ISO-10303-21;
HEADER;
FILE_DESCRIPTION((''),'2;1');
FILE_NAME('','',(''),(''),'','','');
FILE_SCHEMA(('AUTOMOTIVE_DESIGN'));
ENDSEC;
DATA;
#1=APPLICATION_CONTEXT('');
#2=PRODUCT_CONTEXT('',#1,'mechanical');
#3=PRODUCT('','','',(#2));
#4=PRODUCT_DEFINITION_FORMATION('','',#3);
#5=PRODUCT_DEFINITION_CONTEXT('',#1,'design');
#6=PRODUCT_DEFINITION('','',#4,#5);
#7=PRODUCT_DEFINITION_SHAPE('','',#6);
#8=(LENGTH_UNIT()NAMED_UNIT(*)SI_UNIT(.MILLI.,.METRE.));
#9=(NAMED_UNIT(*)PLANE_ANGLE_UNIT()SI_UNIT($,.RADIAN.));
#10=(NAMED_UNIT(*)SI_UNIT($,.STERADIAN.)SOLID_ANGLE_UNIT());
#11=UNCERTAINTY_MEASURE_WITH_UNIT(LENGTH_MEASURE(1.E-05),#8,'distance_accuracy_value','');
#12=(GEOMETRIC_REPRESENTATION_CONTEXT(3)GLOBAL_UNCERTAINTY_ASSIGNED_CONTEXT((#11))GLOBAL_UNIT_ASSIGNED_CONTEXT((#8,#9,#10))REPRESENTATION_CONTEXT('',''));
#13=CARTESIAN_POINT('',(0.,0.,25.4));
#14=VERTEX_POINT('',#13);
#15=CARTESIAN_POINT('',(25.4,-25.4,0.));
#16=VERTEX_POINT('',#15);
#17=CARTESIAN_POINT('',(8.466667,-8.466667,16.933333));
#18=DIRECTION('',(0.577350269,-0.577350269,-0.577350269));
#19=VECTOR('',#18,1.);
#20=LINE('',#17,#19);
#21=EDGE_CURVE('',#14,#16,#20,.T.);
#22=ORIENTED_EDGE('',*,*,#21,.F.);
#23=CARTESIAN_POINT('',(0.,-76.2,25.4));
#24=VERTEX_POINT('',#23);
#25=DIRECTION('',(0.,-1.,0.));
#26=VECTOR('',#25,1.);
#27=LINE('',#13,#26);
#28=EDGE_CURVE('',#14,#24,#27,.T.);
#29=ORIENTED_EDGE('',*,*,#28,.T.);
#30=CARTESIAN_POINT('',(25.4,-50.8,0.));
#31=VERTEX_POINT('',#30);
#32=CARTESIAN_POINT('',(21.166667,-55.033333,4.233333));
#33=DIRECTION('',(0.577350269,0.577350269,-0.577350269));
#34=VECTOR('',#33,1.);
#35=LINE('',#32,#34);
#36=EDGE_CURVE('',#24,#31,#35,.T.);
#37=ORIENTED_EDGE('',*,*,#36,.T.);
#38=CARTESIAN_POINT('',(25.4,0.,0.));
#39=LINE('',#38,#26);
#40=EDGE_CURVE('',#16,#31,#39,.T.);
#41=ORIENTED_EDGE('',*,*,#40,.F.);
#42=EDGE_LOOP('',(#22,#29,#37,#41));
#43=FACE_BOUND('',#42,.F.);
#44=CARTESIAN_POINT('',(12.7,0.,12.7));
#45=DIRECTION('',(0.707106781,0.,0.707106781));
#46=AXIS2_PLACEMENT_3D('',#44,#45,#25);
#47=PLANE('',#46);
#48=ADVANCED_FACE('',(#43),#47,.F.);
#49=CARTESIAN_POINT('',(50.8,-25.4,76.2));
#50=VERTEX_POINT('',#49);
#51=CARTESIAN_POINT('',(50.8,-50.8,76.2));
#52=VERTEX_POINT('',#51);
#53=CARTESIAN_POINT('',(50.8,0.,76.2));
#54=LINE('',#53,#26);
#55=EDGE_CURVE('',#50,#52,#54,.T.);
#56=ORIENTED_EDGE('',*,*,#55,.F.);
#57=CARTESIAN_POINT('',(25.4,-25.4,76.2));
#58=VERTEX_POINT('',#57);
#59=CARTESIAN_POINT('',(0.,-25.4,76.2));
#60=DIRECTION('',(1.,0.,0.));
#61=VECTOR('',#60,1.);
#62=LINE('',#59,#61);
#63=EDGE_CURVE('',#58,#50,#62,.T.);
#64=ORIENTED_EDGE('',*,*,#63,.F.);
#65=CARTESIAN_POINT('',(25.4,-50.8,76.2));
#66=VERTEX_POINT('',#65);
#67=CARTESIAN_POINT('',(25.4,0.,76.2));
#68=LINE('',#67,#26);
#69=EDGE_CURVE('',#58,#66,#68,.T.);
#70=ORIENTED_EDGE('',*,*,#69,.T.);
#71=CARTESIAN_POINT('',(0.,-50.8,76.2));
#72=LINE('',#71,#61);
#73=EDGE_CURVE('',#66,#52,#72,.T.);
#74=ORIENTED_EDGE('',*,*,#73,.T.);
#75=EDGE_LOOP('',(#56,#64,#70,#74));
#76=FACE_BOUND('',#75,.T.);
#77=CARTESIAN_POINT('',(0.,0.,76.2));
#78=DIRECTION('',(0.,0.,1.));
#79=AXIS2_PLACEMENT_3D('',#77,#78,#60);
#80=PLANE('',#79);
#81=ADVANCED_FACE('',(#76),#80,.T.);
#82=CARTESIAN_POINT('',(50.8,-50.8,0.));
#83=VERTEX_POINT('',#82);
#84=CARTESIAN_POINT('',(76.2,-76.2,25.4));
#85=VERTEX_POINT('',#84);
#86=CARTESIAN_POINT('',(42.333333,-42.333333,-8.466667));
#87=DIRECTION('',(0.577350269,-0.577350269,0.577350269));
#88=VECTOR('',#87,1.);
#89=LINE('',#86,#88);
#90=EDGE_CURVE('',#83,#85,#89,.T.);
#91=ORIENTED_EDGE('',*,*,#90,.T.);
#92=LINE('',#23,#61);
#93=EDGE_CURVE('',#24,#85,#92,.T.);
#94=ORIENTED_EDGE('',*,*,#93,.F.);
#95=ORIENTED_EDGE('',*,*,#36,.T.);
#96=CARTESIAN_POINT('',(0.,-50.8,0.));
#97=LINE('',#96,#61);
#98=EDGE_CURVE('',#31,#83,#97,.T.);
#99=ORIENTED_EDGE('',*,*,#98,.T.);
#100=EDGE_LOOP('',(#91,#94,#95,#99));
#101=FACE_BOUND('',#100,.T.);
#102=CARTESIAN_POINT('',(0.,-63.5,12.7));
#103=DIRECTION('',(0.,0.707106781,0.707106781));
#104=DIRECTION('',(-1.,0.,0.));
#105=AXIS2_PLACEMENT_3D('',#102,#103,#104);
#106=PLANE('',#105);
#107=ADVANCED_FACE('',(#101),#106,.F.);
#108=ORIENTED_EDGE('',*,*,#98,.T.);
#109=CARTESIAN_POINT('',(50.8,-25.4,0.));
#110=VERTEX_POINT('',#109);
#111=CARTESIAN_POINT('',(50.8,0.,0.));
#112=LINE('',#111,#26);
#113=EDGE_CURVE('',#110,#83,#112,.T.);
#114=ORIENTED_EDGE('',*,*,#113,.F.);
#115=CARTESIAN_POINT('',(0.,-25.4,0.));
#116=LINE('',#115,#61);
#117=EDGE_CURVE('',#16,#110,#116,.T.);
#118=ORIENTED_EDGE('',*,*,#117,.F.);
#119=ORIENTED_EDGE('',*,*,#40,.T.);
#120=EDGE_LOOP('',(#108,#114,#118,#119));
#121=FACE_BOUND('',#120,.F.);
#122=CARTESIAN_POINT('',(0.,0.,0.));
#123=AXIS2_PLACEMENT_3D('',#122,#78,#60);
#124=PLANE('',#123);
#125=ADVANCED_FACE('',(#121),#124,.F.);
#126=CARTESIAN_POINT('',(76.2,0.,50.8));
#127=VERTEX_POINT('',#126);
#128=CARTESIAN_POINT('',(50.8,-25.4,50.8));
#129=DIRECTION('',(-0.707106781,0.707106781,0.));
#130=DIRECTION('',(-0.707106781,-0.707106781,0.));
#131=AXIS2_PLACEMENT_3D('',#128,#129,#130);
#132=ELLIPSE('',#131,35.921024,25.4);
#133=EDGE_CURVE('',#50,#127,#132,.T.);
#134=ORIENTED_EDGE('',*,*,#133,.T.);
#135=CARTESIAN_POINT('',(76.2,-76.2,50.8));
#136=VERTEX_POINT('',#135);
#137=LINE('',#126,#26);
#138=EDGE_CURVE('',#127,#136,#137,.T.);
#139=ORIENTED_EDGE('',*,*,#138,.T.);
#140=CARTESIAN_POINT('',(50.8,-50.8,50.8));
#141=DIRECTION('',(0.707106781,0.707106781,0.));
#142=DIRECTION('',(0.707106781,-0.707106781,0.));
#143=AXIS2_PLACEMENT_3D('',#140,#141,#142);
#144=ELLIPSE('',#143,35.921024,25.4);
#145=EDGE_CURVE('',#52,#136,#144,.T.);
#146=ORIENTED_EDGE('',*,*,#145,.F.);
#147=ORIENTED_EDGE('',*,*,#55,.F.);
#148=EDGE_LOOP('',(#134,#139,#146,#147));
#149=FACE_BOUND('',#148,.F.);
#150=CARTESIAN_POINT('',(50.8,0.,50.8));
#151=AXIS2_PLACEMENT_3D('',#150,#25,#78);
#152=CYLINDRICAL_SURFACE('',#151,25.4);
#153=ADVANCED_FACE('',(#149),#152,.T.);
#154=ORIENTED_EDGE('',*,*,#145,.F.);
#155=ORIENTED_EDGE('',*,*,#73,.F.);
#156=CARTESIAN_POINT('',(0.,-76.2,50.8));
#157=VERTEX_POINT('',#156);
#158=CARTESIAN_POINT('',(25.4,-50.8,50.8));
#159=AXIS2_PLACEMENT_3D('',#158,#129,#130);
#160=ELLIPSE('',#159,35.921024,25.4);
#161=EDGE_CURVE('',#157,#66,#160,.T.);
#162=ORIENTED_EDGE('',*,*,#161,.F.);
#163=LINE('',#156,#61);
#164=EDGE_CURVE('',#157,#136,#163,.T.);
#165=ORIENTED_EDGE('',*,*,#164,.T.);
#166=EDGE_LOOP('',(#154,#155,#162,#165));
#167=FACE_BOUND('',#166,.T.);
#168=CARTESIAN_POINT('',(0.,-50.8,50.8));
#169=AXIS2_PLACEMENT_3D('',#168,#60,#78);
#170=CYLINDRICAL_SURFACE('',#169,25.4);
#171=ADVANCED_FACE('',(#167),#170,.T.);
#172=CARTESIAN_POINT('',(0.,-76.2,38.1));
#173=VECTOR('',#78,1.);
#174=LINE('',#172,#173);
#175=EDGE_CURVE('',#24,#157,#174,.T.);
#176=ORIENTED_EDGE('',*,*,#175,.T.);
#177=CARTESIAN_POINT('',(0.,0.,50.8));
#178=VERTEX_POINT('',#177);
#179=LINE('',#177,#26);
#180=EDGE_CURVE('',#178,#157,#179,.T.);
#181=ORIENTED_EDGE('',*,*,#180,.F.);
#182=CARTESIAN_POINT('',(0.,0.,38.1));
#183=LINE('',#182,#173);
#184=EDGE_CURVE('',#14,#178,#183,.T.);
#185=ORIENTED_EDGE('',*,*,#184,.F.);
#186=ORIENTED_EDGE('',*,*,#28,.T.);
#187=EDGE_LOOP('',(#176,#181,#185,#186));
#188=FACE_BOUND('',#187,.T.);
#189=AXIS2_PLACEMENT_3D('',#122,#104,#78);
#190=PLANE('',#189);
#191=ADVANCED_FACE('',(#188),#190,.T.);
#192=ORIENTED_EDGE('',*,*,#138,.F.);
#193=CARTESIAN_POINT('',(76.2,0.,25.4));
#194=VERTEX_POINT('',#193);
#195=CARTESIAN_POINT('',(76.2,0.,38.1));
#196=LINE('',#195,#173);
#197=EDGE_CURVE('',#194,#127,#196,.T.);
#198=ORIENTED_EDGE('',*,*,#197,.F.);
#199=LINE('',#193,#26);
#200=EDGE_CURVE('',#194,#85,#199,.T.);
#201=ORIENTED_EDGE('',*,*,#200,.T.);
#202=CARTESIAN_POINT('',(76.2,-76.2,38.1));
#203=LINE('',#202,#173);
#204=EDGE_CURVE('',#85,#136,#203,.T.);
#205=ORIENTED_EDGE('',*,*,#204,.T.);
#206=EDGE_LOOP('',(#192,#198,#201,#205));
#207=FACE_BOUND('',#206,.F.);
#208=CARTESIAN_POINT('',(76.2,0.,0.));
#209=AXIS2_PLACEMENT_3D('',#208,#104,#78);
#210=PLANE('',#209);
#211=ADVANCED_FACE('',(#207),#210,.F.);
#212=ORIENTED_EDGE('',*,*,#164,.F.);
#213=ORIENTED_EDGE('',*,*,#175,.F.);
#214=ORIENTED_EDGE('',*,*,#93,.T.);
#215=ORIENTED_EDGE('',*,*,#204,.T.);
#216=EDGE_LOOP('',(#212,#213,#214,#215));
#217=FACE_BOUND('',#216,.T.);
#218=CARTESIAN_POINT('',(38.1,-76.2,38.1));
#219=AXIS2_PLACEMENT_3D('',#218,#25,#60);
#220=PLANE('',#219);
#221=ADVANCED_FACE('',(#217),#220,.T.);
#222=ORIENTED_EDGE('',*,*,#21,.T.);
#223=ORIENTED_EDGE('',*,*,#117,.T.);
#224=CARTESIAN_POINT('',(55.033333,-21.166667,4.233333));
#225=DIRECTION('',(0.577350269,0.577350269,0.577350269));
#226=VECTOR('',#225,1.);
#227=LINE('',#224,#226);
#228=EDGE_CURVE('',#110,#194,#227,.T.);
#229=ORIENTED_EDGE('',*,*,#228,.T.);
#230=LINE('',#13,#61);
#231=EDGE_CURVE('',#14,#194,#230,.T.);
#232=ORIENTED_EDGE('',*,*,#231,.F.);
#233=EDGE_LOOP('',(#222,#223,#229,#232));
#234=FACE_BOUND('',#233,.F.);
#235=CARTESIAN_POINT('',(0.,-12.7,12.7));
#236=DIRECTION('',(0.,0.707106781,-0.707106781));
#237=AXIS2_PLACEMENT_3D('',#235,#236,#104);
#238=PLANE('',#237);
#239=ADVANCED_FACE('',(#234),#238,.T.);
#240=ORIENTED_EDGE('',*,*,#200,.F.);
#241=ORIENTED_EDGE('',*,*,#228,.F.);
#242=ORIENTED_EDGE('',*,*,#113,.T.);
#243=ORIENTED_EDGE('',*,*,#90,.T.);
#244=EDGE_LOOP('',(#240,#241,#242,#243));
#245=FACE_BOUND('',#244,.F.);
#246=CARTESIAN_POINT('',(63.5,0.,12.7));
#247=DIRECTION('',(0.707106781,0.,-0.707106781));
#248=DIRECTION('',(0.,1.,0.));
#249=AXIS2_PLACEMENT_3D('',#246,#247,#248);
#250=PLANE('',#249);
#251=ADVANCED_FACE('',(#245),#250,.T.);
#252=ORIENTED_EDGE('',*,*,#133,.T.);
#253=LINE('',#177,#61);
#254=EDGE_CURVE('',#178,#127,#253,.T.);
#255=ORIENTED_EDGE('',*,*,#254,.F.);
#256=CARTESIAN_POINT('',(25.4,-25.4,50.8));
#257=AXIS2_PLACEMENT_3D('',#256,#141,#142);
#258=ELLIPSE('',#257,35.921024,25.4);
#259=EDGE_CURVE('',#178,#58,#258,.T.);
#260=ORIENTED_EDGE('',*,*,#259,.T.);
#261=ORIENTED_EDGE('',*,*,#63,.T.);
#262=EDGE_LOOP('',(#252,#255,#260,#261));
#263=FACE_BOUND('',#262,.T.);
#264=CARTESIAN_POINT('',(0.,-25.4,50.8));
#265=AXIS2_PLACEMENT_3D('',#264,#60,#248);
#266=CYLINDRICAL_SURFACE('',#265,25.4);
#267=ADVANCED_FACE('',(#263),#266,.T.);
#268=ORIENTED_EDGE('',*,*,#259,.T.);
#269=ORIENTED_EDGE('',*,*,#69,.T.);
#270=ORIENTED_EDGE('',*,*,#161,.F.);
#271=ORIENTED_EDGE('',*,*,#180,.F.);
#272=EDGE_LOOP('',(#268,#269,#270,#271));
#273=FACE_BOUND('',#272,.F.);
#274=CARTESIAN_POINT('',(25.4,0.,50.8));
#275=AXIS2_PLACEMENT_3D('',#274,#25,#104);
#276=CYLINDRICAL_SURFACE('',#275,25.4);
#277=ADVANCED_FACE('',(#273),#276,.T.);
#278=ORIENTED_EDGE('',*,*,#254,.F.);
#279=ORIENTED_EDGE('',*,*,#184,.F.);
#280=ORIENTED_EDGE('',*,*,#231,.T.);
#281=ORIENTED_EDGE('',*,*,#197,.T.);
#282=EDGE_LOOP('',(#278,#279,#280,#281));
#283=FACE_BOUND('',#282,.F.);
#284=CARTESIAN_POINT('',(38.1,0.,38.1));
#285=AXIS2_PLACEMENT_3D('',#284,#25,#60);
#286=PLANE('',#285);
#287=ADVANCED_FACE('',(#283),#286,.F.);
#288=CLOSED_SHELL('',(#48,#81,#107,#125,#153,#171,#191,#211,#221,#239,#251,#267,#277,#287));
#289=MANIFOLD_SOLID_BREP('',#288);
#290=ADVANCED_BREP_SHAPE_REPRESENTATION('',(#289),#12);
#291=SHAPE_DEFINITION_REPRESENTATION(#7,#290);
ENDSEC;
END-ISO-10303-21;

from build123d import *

# Parameters (mm, degrees)
F0_W     = 76.2
F0_H     = 76.2
F1_DEPTH = 76.2
F2_SIZE  = 25.4
F3_R     = 25.4


with BuildPart() as f1:
    # F0 (on Front) → F1 (new body)
    with BuildSketch(Plane.XZ):
        with Locations((38.1, 38.1)):
            Rectangle(F0_W, F0_H)
    extrude(amount=F1_DEPTH)

    # F2
    f2_edges = [f1.edges().sort_by_distance(p)[0] for p in [
        (0, -38.1, 0),
        (76.2, -38.1, 0),
        (38.1, 0, 0),
        (38.1, -76.2, 0),
    ]]
    chamfer(f2_edges, length=F2_SIZE)

    # F3
    f3_edges = [f1.edges().sort_by_distance(p)[0] for p in [
        (76.2, -38.1, 76.2),
        (0, -38.1, 76.2),
        (38.1, 0, 76.2),
        (38.1, -76.2, 76.2),
    ]]
    fillet(f3_edges, radius=F3_R)


solid = f1.part
